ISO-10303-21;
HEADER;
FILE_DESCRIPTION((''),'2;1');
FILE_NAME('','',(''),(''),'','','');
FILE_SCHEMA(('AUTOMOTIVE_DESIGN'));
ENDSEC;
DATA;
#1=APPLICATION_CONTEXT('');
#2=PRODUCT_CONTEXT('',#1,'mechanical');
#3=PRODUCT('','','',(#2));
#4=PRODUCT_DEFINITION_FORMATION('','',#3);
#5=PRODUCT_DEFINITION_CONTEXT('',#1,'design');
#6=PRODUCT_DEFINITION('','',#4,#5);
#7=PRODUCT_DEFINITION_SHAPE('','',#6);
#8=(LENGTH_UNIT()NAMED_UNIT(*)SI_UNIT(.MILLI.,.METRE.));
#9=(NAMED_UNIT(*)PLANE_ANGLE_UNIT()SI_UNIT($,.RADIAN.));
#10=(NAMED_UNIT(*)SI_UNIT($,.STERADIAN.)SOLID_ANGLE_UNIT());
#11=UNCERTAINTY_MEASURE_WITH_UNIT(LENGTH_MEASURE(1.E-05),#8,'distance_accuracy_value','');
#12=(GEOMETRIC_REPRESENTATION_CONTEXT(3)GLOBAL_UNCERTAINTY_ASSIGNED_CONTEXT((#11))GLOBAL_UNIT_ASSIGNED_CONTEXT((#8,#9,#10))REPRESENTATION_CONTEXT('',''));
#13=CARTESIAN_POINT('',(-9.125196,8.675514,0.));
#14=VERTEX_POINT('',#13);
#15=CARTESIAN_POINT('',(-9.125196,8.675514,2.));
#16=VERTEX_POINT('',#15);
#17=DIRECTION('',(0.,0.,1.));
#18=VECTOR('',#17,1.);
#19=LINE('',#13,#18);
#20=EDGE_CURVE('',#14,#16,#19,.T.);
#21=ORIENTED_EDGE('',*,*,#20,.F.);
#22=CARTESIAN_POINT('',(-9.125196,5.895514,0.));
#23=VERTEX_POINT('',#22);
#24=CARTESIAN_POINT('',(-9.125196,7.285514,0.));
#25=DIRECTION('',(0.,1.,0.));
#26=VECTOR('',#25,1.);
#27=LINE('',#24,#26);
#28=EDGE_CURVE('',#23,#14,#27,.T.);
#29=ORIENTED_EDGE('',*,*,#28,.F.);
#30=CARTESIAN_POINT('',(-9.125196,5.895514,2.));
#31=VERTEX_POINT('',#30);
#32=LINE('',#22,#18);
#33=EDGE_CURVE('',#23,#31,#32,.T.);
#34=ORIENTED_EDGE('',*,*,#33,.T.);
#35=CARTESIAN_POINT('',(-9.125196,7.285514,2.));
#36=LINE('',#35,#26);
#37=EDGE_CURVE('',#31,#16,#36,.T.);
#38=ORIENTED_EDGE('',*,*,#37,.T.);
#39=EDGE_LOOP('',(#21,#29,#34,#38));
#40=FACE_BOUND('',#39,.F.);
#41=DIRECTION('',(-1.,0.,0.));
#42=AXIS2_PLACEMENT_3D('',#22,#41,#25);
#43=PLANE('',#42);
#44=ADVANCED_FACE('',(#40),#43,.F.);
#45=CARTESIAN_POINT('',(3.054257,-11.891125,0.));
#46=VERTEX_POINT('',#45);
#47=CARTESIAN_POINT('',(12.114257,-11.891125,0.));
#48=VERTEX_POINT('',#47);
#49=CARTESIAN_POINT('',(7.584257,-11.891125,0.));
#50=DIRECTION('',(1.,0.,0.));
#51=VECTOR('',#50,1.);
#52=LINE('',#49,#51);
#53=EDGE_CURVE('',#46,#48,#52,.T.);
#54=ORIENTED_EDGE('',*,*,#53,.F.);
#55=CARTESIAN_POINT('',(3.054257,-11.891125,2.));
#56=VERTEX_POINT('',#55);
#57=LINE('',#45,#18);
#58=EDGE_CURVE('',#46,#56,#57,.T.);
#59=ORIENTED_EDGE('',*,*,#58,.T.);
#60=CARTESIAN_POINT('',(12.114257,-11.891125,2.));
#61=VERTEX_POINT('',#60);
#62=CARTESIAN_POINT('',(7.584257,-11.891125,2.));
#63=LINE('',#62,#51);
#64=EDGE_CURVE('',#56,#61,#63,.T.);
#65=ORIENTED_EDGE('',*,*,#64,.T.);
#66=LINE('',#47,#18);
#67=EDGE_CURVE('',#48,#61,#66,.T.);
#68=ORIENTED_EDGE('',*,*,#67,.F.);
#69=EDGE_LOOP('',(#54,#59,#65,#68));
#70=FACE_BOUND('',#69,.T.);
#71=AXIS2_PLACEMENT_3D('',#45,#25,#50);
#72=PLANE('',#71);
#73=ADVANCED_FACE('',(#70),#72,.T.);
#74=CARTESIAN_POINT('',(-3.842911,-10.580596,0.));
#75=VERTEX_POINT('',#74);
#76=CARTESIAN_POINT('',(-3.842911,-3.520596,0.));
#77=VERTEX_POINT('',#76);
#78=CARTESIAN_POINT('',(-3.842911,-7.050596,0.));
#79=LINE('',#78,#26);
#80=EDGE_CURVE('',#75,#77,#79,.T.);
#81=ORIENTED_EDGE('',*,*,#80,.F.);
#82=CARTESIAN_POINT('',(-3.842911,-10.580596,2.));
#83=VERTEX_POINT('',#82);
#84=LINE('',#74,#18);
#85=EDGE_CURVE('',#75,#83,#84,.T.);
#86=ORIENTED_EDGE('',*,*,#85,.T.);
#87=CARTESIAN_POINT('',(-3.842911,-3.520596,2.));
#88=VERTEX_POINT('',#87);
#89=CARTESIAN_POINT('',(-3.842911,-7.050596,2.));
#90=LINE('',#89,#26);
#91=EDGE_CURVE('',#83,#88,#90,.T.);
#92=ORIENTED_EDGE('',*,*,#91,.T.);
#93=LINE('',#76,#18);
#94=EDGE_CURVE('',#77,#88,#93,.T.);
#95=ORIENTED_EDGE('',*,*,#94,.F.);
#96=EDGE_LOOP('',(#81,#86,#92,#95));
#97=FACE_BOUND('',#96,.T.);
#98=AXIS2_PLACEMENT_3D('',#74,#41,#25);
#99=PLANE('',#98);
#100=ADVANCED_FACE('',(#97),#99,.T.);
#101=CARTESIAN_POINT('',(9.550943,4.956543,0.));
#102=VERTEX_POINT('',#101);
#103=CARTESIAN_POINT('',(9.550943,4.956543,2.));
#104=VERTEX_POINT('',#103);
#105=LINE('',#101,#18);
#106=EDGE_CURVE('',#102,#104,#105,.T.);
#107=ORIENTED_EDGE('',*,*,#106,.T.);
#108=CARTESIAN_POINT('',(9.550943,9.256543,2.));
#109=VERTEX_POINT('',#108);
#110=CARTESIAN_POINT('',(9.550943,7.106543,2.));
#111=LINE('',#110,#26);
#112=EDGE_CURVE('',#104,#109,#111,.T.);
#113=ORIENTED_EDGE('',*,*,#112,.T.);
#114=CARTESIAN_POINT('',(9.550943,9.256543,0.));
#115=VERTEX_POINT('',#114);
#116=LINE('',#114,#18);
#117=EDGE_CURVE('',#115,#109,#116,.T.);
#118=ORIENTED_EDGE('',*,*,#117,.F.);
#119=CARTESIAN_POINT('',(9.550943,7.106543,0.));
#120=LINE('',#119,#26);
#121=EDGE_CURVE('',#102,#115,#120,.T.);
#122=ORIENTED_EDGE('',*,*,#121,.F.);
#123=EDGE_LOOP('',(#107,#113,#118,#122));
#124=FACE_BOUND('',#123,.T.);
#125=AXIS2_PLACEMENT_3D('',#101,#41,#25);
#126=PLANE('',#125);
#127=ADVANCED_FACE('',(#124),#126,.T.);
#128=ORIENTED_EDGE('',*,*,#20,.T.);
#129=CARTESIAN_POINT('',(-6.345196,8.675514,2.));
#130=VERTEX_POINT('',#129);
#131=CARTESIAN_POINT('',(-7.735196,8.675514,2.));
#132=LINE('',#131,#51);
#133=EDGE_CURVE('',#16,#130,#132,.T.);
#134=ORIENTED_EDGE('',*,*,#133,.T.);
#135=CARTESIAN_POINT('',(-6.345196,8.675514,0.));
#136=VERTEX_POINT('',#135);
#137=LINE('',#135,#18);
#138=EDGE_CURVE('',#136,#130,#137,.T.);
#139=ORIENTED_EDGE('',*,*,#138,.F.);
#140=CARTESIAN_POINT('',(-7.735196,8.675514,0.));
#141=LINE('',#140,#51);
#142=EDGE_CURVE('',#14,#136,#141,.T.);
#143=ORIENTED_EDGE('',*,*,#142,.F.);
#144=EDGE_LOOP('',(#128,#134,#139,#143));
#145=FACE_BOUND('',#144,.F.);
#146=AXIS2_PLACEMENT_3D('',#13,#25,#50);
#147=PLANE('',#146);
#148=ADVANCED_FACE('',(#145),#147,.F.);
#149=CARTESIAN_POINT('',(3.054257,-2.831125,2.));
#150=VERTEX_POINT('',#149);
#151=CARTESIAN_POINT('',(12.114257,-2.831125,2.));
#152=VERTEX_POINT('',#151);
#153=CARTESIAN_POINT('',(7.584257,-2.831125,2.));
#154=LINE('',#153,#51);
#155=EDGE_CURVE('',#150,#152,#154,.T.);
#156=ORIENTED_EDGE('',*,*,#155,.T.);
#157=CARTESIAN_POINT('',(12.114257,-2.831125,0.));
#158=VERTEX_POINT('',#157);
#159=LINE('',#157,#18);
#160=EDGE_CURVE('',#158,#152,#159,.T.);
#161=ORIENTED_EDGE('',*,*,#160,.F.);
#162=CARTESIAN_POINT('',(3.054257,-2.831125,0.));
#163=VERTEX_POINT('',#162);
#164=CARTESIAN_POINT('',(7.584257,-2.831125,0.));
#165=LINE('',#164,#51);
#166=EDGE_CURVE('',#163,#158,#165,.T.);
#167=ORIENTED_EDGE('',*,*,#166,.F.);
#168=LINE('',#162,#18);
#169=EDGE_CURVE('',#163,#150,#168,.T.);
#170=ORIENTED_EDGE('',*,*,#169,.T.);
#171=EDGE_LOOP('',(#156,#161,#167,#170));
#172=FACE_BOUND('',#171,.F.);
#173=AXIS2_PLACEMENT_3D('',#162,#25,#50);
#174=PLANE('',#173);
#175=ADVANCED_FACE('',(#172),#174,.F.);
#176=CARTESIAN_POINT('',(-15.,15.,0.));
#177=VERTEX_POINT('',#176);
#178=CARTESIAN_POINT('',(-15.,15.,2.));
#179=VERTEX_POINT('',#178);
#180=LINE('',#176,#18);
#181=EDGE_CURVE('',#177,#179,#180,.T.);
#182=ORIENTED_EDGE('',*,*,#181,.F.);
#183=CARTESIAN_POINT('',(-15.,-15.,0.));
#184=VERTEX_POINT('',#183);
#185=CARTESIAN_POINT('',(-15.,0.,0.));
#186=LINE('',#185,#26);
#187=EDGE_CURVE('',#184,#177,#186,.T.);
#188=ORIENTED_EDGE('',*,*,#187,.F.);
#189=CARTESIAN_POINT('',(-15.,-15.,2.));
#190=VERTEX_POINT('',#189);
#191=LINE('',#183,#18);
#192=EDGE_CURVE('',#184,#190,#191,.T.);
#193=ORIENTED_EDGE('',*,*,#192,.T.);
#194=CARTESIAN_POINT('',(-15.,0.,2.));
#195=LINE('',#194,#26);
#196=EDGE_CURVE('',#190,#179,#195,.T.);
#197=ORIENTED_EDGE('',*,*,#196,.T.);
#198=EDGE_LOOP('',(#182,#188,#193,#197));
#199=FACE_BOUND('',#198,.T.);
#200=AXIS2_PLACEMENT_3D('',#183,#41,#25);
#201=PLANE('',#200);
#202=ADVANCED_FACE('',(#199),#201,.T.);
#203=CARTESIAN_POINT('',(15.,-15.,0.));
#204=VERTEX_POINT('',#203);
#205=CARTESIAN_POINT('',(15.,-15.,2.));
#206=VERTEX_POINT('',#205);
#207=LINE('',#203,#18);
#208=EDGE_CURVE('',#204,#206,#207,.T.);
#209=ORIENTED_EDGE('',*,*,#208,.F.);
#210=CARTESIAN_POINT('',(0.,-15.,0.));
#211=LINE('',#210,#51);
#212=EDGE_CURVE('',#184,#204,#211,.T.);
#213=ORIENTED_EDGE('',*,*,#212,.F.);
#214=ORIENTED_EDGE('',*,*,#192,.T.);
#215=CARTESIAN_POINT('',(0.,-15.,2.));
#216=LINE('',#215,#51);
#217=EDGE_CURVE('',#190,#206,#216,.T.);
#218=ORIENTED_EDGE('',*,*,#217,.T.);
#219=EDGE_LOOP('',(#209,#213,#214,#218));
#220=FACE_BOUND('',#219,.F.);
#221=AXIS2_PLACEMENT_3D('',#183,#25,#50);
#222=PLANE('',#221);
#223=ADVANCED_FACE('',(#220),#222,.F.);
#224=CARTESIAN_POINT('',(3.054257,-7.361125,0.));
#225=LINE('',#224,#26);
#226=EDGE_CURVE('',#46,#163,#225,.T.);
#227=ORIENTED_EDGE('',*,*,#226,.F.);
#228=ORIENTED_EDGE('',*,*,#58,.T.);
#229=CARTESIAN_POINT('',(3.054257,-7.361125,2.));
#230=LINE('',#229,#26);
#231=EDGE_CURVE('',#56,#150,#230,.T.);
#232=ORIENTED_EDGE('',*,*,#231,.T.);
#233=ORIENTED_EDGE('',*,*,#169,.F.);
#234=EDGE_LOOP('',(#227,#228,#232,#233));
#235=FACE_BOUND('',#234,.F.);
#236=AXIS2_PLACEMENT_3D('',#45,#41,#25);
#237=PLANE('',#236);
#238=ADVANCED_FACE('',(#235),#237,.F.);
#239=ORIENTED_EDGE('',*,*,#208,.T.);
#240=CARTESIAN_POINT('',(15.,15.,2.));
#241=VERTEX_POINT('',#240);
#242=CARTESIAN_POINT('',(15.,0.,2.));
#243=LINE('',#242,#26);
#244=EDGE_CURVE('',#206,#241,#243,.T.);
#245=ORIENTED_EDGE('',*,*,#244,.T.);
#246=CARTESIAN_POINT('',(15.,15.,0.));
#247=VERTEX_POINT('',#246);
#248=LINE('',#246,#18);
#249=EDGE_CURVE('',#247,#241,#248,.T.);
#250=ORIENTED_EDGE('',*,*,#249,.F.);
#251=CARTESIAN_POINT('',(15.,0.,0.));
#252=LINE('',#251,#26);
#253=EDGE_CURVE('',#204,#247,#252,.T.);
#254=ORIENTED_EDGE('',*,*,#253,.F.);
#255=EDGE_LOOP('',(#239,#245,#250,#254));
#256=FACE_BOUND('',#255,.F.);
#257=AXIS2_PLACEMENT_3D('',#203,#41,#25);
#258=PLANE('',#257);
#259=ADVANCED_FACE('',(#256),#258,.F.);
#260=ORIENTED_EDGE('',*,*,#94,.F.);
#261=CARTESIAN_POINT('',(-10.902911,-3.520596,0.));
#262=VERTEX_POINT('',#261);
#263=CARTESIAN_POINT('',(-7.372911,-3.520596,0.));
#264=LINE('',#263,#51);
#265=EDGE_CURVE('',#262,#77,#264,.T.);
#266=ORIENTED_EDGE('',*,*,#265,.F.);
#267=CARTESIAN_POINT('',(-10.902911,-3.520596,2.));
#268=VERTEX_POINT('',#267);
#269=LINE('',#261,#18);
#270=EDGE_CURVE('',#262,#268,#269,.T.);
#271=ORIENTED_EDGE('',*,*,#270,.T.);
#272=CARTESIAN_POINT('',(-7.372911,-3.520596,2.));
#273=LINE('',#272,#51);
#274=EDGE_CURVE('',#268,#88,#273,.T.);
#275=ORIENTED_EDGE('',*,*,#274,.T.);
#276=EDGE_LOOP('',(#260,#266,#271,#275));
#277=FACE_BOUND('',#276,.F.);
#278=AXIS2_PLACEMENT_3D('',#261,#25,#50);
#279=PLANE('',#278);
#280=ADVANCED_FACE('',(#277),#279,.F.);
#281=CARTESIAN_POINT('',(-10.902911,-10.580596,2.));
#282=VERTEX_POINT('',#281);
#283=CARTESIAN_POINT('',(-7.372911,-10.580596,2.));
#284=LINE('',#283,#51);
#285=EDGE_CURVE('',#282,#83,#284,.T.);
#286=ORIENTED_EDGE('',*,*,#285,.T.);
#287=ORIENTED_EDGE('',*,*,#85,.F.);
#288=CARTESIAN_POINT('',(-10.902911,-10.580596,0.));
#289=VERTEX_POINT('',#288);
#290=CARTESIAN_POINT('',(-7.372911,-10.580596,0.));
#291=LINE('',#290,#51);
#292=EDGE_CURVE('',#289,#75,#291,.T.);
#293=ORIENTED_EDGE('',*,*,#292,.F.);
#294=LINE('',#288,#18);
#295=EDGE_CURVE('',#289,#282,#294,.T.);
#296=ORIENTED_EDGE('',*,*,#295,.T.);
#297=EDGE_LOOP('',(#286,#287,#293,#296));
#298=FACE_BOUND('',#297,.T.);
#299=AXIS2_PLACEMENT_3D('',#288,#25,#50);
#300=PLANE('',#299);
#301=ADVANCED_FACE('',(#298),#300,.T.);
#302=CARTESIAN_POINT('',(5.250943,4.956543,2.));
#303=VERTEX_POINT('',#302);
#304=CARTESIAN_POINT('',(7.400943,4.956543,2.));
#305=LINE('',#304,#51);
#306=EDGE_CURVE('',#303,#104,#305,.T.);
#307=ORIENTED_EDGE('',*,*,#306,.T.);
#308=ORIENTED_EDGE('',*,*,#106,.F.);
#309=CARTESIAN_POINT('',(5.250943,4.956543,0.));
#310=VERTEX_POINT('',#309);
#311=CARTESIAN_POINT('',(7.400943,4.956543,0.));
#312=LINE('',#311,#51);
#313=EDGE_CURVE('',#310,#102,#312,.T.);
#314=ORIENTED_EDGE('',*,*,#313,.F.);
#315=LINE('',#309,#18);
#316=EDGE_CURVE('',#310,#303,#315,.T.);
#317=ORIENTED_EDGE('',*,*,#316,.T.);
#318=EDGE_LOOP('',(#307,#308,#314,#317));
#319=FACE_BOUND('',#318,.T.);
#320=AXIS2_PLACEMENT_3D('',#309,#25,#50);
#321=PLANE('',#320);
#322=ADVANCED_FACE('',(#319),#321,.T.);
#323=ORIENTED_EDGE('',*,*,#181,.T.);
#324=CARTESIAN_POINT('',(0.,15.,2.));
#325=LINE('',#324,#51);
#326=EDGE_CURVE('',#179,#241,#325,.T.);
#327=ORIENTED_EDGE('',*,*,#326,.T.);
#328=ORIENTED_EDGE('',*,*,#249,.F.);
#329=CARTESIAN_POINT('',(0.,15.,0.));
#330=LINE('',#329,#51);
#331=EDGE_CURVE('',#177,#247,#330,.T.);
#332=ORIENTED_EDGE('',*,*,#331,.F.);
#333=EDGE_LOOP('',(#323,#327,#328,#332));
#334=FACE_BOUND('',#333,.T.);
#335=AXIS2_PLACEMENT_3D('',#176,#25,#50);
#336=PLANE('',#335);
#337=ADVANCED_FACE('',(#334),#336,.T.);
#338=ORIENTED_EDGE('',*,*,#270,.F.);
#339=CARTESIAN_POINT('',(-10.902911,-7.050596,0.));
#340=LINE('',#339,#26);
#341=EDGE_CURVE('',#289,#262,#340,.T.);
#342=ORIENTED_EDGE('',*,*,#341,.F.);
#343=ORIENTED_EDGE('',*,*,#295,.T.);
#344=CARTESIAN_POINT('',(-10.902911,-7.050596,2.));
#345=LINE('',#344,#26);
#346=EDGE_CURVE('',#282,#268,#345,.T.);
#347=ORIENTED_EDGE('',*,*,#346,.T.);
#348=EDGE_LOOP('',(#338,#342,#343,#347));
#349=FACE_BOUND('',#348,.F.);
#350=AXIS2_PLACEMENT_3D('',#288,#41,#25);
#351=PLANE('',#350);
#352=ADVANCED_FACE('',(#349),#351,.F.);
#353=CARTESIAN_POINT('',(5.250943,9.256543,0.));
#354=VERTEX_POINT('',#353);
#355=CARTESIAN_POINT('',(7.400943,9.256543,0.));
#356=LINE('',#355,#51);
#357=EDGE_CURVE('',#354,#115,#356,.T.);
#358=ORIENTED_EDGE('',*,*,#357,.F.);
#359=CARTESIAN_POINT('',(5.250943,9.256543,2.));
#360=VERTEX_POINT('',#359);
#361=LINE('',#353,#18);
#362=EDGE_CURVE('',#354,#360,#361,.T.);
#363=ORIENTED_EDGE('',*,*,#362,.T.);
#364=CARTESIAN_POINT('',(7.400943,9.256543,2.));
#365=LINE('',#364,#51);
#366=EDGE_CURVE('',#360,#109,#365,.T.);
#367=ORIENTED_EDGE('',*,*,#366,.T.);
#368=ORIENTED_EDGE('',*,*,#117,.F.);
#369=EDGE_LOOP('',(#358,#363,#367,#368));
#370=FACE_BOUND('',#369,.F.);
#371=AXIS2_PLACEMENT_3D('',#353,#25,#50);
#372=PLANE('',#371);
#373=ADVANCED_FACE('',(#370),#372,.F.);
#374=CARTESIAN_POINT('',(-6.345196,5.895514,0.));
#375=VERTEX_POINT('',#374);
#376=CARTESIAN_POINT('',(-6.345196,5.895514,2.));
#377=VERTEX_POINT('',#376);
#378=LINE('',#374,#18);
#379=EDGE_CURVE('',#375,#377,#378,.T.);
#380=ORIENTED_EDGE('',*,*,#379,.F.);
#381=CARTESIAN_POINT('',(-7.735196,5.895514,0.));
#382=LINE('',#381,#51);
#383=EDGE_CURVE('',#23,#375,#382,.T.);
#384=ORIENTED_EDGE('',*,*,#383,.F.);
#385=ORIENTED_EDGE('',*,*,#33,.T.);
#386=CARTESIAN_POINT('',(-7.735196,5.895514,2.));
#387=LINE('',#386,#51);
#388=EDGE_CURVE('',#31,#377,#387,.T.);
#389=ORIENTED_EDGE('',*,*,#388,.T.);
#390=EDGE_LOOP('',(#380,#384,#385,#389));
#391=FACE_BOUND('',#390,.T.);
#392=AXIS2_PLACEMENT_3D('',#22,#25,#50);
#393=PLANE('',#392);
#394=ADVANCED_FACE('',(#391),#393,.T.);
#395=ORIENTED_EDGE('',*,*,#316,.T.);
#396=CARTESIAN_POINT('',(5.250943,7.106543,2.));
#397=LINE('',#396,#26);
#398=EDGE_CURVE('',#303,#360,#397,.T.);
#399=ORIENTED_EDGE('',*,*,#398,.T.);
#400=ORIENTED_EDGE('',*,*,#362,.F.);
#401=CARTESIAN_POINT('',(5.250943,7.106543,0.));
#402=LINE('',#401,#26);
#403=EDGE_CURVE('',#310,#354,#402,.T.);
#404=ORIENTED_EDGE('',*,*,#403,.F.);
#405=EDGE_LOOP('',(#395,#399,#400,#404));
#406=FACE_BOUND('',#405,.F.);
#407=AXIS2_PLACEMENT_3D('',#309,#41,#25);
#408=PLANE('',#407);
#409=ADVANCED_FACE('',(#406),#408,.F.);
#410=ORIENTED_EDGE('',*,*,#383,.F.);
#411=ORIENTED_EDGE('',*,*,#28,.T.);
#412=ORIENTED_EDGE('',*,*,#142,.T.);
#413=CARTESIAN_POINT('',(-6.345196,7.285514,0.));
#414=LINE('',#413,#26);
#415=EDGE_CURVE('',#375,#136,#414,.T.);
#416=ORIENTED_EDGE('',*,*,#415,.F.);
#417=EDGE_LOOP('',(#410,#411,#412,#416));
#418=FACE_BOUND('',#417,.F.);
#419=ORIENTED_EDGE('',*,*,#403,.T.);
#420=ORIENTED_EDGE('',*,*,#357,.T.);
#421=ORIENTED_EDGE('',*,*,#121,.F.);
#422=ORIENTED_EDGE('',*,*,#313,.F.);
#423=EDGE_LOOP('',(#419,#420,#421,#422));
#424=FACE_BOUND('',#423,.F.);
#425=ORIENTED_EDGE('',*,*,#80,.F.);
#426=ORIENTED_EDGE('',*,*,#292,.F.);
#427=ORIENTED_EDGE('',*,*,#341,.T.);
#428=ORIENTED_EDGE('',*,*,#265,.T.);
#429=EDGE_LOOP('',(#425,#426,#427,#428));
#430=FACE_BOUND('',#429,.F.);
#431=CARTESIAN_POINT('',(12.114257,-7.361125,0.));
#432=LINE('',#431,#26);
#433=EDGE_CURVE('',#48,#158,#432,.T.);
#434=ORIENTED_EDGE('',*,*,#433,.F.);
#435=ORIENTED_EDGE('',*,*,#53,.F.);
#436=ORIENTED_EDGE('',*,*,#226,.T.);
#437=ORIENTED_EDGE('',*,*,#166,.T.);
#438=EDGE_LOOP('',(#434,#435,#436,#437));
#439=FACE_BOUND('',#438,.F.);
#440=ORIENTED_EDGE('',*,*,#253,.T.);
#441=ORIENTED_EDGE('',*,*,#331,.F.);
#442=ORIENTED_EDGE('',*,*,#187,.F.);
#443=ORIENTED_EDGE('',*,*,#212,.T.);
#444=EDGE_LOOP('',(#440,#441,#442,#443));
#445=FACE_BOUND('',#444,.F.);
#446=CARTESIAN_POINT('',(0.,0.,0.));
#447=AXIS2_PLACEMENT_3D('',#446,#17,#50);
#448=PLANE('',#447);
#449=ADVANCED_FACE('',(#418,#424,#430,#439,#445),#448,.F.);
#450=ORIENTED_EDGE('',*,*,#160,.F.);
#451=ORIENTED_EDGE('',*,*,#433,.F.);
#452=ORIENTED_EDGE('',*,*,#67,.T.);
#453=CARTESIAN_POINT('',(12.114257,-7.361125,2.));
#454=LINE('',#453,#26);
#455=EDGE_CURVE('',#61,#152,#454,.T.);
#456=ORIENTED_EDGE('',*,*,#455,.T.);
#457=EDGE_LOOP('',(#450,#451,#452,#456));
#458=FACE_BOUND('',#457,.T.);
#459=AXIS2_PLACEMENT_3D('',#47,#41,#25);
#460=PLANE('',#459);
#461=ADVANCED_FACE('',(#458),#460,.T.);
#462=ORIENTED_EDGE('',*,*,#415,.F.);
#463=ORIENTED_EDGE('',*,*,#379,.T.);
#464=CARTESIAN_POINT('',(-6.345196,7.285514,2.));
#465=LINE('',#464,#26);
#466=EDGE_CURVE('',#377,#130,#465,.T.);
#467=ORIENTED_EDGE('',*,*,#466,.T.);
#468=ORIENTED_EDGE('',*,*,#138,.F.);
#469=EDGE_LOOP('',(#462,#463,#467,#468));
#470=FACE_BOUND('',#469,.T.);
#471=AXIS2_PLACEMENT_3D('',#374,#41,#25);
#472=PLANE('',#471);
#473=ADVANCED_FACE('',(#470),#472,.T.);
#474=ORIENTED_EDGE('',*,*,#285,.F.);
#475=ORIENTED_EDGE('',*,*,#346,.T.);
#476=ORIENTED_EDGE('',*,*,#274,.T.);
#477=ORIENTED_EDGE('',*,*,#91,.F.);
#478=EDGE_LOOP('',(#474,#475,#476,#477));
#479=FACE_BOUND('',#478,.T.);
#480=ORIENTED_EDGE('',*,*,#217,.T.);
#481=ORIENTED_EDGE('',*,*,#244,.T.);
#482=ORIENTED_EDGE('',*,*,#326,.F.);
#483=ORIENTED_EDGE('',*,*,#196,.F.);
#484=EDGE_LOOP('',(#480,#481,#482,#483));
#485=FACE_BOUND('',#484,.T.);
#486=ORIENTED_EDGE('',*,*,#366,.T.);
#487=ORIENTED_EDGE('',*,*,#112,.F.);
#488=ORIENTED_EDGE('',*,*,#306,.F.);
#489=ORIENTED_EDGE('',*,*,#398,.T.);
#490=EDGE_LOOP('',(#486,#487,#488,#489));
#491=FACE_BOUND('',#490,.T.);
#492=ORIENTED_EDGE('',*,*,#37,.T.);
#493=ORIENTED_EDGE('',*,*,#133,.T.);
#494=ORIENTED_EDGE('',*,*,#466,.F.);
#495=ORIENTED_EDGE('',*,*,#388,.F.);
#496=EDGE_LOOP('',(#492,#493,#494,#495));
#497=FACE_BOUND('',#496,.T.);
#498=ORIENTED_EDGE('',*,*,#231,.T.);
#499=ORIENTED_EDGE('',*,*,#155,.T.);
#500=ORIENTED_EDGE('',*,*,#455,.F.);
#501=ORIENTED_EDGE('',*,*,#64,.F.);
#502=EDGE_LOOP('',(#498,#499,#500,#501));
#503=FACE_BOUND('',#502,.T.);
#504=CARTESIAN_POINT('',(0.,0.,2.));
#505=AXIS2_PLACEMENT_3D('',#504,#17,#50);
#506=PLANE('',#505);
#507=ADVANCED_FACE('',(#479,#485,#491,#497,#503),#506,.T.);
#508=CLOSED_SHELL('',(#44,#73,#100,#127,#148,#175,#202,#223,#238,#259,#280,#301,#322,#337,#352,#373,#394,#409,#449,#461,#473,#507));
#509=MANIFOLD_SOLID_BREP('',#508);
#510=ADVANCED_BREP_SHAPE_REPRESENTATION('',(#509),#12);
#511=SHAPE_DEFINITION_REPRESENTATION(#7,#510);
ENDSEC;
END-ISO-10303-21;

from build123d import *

# Parameters (mm, degrees)
F0_W     = 30
F0_H     = 30
F0_W_2   = 7.06
F0_H_2   = 7.06
F0_W_3   = 9.06
F0_H_3   = 9.06
F0_W_4   = 2.78
F0_H_4   = 2.78
F0_W_5   = 4.3
F0_H_5   = 4.3
F1_DEPTH = 2


with BuildPart() as f1:
    # F0 (on Top) → F1 (new body)
    with BuildSketch(Plane.XY):
        Rectangle(F0_W, F0_H)
        with Locations((-7.372911, -7.050596)):
            Rectangle(F0_W_2, F0_H_2, mode=Mode.SUBTRACT)
        with Locations((7.584257, -7.361125)):
            Rectangle(F0_W_3, F0_H_3, mode=Mode.SUBTRACT)
        with Locations((-7.735196, 7.285514)):
            Rectangle(F0_W_4, F0_H_4, mode=Mode.SUBTRACT)
        with Locations((7.400943, 7.106543)):
            Rectangle(F0_W_5, F0_H_5, mode=Mode.SUBTRACT)
    extrude(amount=F1_DEPTH)


solid = f1.part
